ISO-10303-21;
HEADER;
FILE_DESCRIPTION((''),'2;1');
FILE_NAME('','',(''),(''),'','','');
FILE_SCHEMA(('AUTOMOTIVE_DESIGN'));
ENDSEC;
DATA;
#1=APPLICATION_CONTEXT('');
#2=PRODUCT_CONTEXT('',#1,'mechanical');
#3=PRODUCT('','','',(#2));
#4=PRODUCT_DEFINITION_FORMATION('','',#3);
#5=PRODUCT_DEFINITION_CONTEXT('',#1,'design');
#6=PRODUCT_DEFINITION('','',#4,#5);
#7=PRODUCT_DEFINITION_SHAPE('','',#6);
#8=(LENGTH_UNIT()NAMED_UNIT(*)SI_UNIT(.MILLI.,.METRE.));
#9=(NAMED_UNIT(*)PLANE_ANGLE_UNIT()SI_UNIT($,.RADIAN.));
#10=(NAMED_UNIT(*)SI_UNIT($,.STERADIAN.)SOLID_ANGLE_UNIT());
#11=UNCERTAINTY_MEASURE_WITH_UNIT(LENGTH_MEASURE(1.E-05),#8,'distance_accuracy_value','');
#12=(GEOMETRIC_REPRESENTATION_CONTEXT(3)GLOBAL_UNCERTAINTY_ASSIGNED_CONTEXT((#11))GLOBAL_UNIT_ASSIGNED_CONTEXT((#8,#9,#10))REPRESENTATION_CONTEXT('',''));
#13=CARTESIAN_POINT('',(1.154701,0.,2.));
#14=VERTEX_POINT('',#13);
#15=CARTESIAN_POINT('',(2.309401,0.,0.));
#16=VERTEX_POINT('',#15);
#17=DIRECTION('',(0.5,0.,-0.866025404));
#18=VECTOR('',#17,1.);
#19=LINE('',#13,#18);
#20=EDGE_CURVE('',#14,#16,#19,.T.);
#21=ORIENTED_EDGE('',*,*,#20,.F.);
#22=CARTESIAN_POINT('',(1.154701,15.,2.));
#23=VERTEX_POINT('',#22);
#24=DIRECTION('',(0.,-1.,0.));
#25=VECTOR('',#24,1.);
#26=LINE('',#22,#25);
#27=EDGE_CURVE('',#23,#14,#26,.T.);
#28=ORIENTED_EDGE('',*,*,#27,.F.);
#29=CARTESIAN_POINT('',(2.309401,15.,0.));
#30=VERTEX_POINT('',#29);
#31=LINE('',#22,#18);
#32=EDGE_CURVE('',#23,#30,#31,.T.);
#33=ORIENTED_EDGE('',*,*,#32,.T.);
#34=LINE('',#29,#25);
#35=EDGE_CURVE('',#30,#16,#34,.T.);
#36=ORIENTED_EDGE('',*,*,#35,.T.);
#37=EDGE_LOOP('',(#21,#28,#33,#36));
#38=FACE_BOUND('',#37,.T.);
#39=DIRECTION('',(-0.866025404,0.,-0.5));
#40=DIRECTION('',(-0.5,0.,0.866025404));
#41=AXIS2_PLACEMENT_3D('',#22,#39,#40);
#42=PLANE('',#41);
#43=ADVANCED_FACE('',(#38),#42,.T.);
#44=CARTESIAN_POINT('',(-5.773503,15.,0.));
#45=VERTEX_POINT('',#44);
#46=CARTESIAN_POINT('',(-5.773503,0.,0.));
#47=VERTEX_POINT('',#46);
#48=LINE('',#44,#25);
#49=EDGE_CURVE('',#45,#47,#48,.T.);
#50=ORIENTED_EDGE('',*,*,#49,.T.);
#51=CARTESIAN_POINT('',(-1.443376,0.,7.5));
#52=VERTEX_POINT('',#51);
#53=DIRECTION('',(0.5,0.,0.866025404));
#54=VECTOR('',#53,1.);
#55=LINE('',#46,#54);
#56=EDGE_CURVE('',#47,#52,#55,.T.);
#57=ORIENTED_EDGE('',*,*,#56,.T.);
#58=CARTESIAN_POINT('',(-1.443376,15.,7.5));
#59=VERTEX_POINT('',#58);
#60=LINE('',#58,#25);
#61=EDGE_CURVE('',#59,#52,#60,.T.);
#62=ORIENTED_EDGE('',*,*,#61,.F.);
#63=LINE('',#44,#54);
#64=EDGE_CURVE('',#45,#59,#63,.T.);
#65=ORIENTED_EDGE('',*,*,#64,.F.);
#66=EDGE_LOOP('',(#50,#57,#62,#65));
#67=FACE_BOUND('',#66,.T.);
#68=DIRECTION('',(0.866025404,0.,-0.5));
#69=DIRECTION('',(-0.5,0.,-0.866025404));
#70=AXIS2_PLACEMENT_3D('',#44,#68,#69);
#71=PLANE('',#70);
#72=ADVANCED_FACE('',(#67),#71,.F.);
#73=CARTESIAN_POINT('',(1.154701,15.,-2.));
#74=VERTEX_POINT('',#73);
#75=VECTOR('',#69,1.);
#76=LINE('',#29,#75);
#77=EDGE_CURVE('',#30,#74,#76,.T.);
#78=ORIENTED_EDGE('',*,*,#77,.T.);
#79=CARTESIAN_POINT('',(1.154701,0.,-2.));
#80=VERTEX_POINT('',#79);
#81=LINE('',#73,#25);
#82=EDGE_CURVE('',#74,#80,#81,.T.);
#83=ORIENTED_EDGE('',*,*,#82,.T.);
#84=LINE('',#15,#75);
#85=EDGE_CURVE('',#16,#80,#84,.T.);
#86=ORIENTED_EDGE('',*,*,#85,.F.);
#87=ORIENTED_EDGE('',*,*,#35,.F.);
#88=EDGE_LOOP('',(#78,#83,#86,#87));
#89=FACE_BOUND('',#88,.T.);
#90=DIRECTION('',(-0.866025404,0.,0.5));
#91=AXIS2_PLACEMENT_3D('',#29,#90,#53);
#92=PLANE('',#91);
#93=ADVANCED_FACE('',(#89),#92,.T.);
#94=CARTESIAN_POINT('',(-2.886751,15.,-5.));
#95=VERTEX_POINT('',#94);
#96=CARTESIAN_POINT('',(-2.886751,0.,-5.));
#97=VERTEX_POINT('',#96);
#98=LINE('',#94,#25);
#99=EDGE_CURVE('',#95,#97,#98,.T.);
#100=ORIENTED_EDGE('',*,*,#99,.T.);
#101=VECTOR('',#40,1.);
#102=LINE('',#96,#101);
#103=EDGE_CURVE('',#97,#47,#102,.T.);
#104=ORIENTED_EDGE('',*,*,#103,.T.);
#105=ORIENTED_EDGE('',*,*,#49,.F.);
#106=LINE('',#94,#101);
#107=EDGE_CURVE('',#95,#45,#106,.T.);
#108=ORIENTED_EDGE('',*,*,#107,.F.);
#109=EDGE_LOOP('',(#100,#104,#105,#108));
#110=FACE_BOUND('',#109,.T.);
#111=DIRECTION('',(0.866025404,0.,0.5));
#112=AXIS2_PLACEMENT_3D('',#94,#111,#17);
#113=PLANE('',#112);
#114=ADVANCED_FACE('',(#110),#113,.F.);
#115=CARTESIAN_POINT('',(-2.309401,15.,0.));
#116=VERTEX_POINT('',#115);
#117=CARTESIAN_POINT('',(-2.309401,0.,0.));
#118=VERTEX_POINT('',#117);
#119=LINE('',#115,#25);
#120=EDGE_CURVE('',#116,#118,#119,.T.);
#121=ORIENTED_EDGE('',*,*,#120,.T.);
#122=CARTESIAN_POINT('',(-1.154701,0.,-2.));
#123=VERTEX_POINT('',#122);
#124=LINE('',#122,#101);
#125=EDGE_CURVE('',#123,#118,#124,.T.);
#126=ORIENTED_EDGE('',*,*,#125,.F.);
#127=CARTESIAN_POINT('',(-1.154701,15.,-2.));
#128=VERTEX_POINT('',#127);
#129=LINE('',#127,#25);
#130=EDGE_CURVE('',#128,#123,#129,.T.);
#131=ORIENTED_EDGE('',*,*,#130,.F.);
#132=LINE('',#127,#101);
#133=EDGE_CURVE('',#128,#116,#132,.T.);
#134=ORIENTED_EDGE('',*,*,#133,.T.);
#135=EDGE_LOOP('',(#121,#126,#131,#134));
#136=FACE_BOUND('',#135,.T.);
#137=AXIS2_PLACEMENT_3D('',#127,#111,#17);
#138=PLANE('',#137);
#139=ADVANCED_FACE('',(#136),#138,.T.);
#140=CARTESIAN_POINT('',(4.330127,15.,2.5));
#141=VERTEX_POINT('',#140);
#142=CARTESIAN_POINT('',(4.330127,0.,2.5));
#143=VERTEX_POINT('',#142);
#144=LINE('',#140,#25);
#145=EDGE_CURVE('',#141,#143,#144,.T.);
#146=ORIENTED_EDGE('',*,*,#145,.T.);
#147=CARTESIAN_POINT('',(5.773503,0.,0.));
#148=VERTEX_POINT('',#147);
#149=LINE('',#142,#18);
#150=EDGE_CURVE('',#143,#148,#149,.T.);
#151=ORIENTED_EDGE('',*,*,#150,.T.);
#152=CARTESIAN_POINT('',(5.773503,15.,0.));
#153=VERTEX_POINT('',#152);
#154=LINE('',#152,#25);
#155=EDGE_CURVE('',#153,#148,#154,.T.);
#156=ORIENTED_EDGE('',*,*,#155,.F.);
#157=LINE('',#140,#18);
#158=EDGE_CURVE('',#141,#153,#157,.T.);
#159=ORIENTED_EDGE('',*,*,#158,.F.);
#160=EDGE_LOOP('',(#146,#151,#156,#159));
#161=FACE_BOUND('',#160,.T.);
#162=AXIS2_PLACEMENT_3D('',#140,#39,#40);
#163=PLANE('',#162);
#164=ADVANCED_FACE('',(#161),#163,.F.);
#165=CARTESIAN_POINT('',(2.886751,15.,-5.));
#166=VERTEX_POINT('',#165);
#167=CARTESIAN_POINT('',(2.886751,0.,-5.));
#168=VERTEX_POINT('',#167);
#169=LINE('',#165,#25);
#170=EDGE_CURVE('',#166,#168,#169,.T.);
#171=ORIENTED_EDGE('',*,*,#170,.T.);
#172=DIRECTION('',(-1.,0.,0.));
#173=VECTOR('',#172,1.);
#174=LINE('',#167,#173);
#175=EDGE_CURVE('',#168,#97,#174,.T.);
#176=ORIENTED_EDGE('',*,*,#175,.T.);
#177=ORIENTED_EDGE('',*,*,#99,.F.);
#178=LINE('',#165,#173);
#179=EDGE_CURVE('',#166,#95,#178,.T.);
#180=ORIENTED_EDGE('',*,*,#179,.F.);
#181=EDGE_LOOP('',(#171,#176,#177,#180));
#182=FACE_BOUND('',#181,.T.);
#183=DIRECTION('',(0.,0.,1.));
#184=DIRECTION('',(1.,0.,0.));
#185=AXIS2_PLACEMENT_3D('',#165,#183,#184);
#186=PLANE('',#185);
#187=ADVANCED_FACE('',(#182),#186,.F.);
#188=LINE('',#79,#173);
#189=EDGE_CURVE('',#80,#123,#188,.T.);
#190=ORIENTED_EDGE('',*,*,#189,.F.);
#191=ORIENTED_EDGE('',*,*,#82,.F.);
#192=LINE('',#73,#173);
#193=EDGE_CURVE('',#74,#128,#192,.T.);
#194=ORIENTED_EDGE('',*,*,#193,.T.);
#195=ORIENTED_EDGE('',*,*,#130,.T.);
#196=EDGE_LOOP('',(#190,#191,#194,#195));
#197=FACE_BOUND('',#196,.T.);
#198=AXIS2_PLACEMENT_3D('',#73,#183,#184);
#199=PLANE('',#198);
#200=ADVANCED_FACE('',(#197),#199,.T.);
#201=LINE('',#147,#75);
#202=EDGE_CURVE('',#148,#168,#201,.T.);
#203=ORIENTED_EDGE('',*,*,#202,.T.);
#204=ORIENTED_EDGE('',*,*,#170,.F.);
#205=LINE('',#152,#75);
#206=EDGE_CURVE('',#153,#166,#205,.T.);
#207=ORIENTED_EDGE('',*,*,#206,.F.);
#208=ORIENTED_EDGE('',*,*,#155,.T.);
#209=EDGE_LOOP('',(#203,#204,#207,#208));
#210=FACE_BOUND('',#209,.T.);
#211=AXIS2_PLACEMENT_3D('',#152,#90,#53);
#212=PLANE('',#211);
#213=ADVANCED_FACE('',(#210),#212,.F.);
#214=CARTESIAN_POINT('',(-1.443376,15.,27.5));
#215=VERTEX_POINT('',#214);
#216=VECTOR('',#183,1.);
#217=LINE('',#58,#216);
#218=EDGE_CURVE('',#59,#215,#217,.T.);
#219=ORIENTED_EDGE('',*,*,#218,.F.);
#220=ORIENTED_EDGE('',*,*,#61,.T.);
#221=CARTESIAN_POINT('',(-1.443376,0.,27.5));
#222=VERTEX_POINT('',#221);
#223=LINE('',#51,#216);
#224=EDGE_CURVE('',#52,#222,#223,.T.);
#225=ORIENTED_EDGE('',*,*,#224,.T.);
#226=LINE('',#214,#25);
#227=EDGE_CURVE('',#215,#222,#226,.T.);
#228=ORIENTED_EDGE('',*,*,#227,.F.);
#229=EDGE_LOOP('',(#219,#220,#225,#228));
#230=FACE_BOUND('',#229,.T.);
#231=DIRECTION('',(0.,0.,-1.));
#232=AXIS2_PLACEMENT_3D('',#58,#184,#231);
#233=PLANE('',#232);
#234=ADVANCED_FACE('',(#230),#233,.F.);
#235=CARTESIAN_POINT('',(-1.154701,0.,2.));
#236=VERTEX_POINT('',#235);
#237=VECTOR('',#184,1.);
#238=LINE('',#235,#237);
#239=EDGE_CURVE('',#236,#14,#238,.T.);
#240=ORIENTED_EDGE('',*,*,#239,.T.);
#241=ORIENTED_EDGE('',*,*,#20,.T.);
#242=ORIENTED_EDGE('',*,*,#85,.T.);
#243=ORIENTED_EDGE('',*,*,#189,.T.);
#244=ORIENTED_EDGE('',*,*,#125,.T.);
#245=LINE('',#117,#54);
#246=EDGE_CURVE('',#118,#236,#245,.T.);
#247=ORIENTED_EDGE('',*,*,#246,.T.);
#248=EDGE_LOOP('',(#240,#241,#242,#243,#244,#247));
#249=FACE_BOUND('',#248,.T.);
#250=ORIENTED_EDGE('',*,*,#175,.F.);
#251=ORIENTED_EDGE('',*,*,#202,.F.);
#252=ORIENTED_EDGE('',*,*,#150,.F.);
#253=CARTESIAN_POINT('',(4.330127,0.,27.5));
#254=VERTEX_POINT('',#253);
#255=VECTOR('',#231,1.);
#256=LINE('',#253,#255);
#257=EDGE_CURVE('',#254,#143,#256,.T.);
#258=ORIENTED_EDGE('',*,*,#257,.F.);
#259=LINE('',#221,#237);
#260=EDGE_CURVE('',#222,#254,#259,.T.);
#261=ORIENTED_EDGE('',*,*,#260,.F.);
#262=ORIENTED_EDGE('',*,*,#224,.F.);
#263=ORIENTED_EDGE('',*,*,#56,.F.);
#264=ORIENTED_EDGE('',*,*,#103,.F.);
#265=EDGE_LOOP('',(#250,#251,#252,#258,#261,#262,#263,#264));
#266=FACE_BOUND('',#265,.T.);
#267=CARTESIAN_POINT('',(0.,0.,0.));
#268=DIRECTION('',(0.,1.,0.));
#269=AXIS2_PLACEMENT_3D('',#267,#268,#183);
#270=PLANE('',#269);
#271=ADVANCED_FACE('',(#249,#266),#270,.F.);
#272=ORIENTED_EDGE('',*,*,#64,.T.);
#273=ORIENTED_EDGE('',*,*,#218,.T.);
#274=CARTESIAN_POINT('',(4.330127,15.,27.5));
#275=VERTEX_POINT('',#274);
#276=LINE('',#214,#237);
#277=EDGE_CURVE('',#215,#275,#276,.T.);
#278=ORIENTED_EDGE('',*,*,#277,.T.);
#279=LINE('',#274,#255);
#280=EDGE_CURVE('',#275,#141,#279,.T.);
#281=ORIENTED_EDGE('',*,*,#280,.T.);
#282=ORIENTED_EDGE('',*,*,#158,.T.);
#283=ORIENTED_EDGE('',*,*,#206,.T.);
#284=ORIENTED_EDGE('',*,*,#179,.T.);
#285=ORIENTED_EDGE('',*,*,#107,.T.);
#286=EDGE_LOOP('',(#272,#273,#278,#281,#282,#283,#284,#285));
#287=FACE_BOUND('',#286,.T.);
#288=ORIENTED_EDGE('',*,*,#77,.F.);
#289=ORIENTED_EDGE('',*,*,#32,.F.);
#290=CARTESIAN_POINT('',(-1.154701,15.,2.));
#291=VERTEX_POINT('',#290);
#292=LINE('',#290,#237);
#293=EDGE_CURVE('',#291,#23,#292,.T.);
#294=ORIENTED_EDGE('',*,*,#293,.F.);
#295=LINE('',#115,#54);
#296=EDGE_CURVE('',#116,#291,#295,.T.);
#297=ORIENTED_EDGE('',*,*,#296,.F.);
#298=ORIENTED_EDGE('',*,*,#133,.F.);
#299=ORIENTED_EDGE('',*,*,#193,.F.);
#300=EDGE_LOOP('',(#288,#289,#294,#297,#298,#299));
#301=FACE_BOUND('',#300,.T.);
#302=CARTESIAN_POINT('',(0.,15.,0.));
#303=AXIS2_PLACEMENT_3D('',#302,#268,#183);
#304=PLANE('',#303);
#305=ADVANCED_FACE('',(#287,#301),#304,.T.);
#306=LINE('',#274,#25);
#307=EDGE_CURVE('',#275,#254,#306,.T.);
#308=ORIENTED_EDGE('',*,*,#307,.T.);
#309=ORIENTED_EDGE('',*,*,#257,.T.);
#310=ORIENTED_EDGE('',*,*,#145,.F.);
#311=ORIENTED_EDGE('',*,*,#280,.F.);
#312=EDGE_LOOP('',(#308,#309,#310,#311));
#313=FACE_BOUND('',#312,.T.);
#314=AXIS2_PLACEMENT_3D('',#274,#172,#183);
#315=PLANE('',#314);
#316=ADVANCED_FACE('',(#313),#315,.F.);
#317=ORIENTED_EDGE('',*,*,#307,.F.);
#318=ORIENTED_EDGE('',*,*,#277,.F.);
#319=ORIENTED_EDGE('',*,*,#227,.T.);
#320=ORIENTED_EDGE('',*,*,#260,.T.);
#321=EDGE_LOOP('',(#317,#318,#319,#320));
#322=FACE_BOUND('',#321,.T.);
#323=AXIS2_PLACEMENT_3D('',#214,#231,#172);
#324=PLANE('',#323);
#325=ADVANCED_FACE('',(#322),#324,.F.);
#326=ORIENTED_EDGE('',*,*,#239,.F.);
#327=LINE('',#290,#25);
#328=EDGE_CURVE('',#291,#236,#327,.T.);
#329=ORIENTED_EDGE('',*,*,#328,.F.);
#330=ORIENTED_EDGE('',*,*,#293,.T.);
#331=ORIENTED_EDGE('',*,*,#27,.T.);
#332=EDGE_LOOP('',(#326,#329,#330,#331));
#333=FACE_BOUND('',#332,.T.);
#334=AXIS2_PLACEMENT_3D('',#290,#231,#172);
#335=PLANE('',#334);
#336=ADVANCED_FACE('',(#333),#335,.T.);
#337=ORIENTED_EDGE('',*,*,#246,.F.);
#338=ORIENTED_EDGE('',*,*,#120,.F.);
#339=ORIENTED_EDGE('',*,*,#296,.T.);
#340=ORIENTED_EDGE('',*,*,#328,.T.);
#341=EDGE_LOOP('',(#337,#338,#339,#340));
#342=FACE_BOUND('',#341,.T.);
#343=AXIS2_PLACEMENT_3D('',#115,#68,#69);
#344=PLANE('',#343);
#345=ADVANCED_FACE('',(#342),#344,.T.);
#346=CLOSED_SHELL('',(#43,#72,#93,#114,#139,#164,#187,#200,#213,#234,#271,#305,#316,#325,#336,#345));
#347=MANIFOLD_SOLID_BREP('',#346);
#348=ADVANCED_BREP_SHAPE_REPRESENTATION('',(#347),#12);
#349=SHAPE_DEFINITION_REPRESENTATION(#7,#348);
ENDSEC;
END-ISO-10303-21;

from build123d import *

# Parameters (mm, degrees)
BOSS_EXTRUDE1_DEPTH = 15


with BuildPart() as part:
    # Sketch1 → Boss-Extrude1 (new body)
    with BuildSketch(Plane(origin=(0, 0, 0), x_dir=(1, 0, 0), z_dir=(0, 1, 0))):
        Polygon((-1.443375673, -7.5), (-1.443375673, -27.5), (4.330127019, -27.5), (4.330127019, -2.5), (5.773502692, 0), (2.886751346, 5), (-2.886751346, 5), (-5.773502692, 0), align=None)
        Polygon((2.309401077, 0), (1.154700538, 2), (-1.154700538, 2), (-2.309401077, 0), (-1.154700538, -2), (1.154700538, -2), align=None, mode=Mode.SUBTRACT)
    extrude(amount=BOSS_EXTRUDE1_DEPTH)


solid = part.part
